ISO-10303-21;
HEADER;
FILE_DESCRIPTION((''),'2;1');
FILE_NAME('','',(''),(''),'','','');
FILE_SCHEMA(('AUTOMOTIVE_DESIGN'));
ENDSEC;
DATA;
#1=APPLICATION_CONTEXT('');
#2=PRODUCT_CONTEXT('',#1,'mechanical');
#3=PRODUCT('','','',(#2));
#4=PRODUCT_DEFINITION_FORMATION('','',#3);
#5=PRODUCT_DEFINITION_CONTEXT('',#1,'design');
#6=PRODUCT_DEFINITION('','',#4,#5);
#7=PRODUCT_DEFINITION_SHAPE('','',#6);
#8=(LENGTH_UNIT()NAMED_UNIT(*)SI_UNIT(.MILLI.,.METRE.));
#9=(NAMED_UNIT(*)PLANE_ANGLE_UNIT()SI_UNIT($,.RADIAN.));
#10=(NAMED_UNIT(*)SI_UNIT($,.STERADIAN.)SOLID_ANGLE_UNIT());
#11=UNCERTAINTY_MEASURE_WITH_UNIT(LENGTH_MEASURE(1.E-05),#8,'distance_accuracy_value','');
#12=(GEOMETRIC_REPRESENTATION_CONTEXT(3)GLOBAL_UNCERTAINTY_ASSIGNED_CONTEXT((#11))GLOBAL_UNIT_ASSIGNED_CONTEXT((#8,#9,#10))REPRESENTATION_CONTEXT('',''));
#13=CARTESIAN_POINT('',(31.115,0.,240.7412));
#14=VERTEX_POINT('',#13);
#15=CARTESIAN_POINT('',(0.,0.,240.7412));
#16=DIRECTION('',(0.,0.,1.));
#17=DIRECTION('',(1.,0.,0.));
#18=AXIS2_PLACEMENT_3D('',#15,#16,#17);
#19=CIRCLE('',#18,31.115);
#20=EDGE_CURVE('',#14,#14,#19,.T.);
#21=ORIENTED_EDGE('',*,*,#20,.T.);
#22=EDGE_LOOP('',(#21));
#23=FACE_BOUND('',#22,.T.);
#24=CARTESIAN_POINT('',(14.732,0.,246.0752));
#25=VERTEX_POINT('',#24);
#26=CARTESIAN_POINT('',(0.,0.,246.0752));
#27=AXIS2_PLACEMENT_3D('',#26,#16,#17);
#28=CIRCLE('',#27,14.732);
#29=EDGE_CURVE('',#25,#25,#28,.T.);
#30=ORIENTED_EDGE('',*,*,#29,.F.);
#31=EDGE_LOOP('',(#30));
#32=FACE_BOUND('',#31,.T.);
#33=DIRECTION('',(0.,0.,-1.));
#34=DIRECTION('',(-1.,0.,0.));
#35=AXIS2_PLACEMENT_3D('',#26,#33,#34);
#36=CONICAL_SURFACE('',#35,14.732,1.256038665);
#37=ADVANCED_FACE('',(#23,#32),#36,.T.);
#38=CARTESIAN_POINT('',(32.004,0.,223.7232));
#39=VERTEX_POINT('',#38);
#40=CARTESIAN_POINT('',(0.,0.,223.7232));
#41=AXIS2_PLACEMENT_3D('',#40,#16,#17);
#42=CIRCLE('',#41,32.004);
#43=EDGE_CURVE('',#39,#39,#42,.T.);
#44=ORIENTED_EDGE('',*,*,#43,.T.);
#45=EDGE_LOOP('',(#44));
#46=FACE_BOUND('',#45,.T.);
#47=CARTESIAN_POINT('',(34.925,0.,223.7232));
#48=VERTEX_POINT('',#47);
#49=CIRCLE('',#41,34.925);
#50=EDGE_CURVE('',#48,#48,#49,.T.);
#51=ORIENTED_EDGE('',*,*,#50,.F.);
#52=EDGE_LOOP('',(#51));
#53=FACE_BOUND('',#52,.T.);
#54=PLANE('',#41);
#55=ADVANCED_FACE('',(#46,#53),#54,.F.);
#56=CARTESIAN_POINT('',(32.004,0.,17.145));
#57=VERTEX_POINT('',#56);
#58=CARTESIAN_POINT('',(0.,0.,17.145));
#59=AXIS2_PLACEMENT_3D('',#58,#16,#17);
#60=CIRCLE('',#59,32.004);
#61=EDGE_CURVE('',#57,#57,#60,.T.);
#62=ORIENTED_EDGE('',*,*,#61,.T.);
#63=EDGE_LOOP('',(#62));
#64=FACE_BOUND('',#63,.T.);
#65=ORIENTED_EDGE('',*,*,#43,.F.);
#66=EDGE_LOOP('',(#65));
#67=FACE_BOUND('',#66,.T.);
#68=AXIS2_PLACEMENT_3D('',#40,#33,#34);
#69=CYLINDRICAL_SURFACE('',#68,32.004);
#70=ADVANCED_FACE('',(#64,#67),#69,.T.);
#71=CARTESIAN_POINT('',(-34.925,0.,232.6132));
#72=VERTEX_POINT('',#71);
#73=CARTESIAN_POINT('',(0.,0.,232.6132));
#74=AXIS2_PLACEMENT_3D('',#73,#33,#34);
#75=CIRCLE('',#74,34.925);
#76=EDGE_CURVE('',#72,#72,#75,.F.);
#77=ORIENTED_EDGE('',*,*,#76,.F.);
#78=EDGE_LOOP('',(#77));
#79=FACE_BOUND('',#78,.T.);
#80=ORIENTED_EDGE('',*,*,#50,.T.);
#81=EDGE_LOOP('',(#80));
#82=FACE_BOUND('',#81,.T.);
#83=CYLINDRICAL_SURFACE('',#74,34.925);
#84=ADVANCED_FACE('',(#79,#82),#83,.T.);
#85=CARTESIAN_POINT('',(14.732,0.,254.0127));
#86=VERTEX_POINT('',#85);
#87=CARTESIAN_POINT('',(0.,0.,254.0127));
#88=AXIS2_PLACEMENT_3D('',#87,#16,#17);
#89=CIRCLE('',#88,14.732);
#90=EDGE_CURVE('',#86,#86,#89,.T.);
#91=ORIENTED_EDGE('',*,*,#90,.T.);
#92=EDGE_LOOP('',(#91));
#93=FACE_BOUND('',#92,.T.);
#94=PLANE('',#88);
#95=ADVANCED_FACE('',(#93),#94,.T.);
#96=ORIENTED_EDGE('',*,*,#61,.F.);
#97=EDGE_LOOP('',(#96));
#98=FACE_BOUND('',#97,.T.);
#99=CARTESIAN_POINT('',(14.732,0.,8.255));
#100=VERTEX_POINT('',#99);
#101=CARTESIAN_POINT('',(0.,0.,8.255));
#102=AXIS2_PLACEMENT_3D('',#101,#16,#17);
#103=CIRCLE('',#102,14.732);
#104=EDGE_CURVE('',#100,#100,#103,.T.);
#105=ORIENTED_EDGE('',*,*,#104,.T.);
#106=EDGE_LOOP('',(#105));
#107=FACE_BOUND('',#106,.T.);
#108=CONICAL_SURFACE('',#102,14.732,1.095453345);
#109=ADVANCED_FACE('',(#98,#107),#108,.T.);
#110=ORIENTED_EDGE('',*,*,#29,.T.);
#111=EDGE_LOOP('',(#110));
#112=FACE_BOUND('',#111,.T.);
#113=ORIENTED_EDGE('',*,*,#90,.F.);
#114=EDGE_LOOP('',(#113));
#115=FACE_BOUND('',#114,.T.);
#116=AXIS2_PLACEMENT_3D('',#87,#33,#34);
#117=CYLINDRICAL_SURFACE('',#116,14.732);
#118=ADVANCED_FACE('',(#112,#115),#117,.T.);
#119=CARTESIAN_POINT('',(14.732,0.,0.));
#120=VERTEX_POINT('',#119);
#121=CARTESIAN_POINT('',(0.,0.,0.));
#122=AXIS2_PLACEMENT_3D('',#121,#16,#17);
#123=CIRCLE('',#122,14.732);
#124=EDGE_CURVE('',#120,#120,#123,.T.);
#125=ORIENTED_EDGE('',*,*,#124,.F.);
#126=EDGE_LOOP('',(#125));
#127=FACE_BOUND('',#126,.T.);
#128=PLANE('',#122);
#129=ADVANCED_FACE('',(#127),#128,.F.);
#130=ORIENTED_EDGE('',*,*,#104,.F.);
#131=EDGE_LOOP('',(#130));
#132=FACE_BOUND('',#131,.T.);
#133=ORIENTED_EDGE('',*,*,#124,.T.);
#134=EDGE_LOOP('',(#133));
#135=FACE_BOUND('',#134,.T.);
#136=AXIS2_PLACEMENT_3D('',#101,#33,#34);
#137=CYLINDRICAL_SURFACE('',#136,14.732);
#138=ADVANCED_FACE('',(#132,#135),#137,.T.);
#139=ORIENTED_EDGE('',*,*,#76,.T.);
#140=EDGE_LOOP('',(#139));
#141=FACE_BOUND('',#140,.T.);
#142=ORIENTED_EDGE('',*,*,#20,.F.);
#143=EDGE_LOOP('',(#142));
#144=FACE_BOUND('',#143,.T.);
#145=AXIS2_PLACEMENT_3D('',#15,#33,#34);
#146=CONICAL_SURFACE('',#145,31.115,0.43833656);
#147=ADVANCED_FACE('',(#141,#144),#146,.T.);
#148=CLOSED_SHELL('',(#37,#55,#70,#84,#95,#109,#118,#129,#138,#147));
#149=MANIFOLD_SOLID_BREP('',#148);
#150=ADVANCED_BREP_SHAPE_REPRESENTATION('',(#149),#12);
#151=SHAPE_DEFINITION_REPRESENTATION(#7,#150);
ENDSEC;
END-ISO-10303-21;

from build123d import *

# Parameters (mm, degrees)
SKETCH1_R           = 14.732
BOSS_EXTRUDE1_DEPTH = 8.255
SKETCH2_R           = 14.732
SKETCH3_R           = 32.004
SKETCH4_R           = 32.004
BOSS_EXTRUDE2_DEPTH = 206.5782
SKETCH5_R           = 34.925
BOSS_EXTRUDE3_DEPTH = 8.89
SKETCH6_R           = 34.925
SKETCH7_R           = 31.115
SKETCH8_R           = 31.115
SKETCH9_R           = 14.732
SKETCH10_R          = 14.732
BOSS_EXTRUDE4_DEPTH = 7.9375


with BuildPart() as part:
    # Sketch1 → Boss-Extrude1 (new body)
    with BuildSketch(Plane.XY):
        Circle(SKETCH1_R)
    extrude(amount=BOSS_EXTRUDE1_DEPTH)

    # Sketch2 → Loft1 section 0
    with BuildSketch(Plane.XY.offset(8.255)):
        Circle(SKETCH2_R)
    # Sketch3 → Loft1 section 1
    with BuildSketch(Plane.XY.offset(17.145)):
        Circle(SKETCH3_R)
    loft()

    # Sketch4 → Boss-Extrude2 (add)
    with BuildSketch(Plane.XY.offset(17.145)):
        Circle(SKETCH4_R)
    extrude(amount=BOSS_EXTRUDE2_DEPTH)

    # Sketch5 → Boss-Extrude3 (add)
    with BuildSketch(Plane.XY.offset(223.7232)):
        Circle(SKETCH5_R)
    extrude(amount=BOSS_EXTRUDE3_DEPTH)

    # Sketch6 → Loft2 section 0
    with BuildSketch(Plane.XY.offset(232.6132)):
        Circle(SKETCH6_R)
    # Sketch7 → Loft2 section 1
    with BuildSketch(Plane.XY.offset(240.7412)):
        Circle(SKETCH7_R)
    loft()

    # Sketch8 → Loft3 section 0
    with BuildSketch(Plane.XY.offset(240.7412)):
        Circle(SKETCH8_R)
    # Sketch9 → Loft3 section 1
    with BuildSketch(Plane.XY.offset(246.0752)):
        Circle(SKETCH9_R)
    loft()

    # Sketch10 → Boss-Extrude4 (add)
    with BuildSketch(Plane.XY.offset(246.0752)):
        Circle(SKETCH10_R)
    extrude(amount=BOSS_EXTRUDE4_DEPTH)


solid = part.part
